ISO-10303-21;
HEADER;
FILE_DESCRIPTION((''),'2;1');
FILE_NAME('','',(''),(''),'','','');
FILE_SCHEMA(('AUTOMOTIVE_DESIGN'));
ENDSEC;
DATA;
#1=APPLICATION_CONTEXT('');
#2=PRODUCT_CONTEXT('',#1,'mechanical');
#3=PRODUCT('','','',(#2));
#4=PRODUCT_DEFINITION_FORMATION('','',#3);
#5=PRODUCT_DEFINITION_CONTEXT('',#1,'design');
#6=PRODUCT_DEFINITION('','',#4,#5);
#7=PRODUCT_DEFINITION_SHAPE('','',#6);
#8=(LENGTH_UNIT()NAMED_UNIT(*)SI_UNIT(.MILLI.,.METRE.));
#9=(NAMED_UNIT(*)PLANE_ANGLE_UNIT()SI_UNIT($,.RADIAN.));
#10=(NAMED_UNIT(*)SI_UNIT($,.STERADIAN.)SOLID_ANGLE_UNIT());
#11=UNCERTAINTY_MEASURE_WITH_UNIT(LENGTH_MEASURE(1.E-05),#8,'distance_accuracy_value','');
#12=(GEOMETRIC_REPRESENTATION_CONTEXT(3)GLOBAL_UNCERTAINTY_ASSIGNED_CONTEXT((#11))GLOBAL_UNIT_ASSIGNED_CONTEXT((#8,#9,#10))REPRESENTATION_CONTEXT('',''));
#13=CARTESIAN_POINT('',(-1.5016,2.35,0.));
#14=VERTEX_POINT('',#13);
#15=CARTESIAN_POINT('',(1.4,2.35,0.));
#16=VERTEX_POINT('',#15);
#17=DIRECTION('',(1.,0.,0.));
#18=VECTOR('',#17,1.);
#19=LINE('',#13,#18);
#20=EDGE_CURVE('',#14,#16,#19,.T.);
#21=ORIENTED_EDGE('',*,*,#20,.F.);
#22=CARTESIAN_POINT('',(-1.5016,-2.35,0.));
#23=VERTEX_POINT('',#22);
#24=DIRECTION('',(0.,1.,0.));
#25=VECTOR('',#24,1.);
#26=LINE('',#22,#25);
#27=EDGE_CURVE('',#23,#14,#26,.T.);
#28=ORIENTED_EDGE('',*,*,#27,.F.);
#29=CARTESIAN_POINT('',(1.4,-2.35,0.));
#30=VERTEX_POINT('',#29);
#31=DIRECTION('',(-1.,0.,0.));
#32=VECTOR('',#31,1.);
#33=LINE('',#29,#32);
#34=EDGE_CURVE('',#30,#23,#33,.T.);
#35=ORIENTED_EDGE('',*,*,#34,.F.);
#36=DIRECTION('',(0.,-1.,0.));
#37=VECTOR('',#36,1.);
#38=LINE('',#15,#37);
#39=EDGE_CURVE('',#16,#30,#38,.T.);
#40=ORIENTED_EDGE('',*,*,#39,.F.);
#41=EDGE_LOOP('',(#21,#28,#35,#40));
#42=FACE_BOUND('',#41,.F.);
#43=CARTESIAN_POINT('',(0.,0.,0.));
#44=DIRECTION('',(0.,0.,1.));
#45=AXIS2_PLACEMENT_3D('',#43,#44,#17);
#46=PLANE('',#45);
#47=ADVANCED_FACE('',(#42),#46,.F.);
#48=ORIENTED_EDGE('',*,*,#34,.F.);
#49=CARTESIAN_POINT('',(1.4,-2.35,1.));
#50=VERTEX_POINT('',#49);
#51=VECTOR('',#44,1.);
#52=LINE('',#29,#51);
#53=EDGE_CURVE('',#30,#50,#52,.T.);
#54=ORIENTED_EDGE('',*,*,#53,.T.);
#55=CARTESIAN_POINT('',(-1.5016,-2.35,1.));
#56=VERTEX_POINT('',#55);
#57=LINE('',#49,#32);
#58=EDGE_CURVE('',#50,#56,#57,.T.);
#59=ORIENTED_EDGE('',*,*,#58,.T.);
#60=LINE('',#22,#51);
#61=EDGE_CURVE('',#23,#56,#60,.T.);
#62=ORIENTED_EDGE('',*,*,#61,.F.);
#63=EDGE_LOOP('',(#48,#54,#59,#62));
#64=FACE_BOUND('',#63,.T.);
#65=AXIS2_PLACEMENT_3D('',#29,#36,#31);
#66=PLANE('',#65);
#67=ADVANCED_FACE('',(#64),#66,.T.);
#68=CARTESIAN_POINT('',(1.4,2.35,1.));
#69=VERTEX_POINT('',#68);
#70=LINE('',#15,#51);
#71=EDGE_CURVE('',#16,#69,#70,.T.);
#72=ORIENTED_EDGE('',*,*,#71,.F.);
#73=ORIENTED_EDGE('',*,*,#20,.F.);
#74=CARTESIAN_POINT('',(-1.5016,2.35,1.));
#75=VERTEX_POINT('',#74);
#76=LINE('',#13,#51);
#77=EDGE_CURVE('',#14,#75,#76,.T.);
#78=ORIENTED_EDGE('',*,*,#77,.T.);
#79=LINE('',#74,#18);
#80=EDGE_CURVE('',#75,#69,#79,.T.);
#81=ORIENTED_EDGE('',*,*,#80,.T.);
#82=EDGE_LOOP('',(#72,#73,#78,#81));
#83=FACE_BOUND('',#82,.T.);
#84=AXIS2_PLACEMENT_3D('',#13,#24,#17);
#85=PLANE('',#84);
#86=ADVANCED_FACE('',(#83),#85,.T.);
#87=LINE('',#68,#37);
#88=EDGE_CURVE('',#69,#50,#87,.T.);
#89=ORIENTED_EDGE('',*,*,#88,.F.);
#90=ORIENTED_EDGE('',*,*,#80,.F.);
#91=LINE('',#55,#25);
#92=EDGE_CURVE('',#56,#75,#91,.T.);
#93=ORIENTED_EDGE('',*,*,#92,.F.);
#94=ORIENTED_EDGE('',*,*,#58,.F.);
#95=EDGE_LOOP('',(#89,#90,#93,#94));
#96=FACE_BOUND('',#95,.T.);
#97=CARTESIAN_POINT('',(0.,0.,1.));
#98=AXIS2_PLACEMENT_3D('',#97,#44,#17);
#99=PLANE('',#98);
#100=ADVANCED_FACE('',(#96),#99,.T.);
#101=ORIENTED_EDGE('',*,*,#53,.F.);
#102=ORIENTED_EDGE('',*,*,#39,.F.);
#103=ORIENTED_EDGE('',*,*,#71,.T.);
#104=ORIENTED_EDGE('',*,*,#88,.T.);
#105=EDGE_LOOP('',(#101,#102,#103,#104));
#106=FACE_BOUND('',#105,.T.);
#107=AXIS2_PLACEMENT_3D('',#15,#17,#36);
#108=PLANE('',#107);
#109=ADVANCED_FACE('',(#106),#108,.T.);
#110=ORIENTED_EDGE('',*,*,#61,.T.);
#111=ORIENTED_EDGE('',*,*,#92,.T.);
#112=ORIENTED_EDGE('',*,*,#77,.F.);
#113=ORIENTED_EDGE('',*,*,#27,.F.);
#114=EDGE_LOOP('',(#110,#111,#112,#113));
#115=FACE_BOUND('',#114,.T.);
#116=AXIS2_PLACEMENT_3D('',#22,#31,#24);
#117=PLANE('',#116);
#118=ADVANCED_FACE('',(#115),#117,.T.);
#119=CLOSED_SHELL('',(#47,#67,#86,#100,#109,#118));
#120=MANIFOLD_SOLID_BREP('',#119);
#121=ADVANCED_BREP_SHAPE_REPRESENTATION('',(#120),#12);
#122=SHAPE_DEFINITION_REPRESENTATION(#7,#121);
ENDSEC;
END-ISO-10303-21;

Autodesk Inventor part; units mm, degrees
ref_plane "YZ Plane" through (0, 0, 0) normal (1, 0, 0) x (0, 1, 0)
ref_plane "XZ Plane" through (0, 0, 0) normal (0, 1, 0) x (-1, 0, 0)
ref_plane "XY Plane" through (0, 0, 0) normal (0, 0, 1) x (1, 0, 0)
sketch "P-LCC-2, LED_IC_1_STATUS_P-LCC-2_42" plane through (0, 0, 0) normal (0, 0, 1) x (1, 0, 0)
  line L0 (-1.5016, 2.35) -> (1.4, 2.35)
  line L1 (1.4, 2.35) -> (1.4, -2.35)
  line L2 (1.4, -2.35) -> (-1.5016, -2.35)
  line L3 (-1.5016, -2.35) -> (-1.5016, 2.35)
extrude "Extrusion1" add sketch "P-LCC-2, LED_IC_1_STATUS_P-LCC-2_42" along normal blind 1
properties part number "LED_IC_1_STATUS_P-LCC-2"
